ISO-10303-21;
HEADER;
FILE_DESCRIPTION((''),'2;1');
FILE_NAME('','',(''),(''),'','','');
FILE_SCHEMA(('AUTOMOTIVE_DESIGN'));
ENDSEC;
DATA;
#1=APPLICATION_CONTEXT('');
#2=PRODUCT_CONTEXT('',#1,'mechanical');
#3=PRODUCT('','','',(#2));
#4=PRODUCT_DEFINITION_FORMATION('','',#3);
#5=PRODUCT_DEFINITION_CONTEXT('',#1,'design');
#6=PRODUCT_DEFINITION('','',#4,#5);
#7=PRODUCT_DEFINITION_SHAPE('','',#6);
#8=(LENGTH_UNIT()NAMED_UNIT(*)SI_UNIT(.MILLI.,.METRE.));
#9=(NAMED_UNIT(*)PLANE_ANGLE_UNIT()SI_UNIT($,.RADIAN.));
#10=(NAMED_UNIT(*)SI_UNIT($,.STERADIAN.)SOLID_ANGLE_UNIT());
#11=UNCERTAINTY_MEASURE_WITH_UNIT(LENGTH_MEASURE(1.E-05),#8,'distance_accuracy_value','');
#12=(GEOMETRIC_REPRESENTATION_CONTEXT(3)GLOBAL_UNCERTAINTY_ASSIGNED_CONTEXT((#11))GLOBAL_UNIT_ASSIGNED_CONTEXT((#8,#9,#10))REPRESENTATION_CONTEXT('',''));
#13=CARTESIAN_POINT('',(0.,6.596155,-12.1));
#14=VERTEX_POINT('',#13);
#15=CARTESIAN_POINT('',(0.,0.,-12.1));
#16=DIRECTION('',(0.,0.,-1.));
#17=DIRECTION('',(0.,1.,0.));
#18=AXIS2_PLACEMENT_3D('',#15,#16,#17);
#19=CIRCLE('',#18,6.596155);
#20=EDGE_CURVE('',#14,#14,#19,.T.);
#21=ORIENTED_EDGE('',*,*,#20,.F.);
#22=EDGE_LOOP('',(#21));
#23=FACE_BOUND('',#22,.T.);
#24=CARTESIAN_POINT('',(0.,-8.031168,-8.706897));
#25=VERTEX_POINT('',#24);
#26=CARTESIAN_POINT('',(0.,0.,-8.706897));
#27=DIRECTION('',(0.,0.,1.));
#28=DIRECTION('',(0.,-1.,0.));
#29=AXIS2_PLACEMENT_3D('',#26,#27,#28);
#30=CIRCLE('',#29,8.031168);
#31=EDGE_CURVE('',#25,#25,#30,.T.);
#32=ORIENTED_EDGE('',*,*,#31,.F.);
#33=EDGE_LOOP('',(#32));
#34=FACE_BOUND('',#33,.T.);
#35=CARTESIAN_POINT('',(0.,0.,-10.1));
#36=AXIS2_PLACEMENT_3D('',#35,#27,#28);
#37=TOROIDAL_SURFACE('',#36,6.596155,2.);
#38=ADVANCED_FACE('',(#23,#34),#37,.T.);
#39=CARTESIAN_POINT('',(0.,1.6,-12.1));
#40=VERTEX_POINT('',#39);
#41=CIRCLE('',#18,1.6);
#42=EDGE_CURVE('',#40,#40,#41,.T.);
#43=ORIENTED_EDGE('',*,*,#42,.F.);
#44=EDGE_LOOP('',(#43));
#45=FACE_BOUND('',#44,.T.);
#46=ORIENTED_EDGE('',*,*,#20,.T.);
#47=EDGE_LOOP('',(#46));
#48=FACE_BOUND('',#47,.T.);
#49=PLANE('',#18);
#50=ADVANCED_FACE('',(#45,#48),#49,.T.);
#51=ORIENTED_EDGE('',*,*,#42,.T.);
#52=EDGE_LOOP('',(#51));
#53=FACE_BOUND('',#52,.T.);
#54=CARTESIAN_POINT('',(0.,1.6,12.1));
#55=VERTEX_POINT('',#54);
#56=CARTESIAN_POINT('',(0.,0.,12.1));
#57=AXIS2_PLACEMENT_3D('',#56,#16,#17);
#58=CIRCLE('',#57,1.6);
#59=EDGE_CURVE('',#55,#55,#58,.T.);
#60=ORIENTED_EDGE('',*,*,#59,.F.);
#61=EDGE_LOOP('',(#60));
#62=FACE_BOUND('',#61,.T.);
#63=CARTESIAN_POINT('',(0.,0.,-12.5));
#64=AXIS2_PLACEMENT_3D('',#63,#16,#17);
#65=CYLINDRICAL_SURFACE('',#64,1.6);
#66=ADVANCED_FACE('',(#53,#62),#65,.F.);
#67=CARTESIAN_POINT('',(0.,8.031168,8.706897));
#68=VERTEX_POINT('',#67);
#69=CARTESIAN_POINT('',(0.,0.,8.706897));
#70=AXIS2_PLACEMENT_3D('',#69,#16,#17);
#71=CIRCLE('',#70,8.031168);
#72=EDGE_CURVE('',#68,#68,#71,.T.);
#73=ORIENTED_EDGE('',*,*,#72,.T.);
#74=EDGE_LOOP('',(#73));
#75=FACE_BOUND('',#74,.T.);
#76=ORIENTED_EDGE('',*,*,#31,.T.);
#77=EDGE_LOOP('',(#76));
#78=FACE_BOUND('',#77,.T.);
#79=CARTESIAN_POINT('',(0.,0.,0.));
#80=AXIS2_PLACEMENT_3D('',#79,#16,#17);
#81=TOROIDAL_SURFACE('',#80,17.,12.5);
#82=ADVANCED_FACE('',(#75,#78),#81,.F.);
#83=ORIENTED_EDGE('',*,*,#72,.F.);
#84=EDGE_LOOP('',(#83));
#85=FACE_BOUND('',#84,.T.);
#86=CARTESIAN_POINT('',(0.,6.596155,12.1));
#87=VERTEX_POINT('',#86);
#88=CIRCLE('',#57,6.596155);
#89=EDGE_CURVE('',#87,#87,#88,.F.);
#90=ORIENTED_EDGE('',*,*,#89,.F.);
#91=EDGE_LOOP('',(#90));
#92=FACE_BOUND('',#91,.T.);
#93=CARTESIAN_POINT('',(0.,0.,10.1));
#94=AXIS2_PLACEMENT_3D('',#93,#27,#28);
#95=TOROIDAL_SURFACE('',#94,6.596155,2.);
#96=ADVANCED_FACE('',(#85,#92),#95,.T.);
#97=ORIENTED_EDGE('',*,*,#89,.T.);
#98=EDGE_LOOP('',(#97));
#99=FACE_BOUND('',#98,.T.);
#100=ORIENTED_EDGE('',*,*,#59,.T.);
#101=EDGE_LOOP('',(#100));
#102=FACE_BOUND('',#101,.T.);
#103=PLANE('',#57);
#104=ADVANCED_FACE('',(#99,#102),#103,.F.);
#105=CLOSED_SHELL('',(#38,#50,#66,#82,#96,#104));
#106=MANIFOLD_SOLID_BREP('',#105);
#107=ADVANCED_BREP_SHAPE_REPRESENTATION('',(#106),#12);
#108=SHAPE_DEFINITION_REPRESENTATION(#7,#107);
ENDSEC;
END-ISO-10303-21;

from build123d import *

# Parameters (mm, degrees)
FILLET1_R = 2


with BuildPart() as part:
    # Sketch1 → Revolve1 (revolve)
    with BuildSketch(Plane(origin=(0, 0, 0), x_dir=(0, 0, -1), z_dir=(1, 0, 0))):
        with BuildLine():
            Line((12.1, 1.6), (12.1, 13.863122572))
            ThreePointArc((12.1, 13.863122572), (0, 4.5), (-12.1, 13.863122572))
            Line((-12.1, 13.863122572), (-12.1, 1.6))
            Line((-12.1, 1.6), (12.1, 1.6))
        make_face()
    revolve(axis=Axis((0, 0, -12.5), (0, 0, 1)))

    # Fillet1
    fillet1_edges = [part.edges().sort_by_distance(p)[0] for p in [
        (0, -13.863122572, 12.1),
        (0, -13.863122572, -12.1),
    ]]
    fillet(fillet1_edges, radius=FILLET1_R)


solid = part.part
